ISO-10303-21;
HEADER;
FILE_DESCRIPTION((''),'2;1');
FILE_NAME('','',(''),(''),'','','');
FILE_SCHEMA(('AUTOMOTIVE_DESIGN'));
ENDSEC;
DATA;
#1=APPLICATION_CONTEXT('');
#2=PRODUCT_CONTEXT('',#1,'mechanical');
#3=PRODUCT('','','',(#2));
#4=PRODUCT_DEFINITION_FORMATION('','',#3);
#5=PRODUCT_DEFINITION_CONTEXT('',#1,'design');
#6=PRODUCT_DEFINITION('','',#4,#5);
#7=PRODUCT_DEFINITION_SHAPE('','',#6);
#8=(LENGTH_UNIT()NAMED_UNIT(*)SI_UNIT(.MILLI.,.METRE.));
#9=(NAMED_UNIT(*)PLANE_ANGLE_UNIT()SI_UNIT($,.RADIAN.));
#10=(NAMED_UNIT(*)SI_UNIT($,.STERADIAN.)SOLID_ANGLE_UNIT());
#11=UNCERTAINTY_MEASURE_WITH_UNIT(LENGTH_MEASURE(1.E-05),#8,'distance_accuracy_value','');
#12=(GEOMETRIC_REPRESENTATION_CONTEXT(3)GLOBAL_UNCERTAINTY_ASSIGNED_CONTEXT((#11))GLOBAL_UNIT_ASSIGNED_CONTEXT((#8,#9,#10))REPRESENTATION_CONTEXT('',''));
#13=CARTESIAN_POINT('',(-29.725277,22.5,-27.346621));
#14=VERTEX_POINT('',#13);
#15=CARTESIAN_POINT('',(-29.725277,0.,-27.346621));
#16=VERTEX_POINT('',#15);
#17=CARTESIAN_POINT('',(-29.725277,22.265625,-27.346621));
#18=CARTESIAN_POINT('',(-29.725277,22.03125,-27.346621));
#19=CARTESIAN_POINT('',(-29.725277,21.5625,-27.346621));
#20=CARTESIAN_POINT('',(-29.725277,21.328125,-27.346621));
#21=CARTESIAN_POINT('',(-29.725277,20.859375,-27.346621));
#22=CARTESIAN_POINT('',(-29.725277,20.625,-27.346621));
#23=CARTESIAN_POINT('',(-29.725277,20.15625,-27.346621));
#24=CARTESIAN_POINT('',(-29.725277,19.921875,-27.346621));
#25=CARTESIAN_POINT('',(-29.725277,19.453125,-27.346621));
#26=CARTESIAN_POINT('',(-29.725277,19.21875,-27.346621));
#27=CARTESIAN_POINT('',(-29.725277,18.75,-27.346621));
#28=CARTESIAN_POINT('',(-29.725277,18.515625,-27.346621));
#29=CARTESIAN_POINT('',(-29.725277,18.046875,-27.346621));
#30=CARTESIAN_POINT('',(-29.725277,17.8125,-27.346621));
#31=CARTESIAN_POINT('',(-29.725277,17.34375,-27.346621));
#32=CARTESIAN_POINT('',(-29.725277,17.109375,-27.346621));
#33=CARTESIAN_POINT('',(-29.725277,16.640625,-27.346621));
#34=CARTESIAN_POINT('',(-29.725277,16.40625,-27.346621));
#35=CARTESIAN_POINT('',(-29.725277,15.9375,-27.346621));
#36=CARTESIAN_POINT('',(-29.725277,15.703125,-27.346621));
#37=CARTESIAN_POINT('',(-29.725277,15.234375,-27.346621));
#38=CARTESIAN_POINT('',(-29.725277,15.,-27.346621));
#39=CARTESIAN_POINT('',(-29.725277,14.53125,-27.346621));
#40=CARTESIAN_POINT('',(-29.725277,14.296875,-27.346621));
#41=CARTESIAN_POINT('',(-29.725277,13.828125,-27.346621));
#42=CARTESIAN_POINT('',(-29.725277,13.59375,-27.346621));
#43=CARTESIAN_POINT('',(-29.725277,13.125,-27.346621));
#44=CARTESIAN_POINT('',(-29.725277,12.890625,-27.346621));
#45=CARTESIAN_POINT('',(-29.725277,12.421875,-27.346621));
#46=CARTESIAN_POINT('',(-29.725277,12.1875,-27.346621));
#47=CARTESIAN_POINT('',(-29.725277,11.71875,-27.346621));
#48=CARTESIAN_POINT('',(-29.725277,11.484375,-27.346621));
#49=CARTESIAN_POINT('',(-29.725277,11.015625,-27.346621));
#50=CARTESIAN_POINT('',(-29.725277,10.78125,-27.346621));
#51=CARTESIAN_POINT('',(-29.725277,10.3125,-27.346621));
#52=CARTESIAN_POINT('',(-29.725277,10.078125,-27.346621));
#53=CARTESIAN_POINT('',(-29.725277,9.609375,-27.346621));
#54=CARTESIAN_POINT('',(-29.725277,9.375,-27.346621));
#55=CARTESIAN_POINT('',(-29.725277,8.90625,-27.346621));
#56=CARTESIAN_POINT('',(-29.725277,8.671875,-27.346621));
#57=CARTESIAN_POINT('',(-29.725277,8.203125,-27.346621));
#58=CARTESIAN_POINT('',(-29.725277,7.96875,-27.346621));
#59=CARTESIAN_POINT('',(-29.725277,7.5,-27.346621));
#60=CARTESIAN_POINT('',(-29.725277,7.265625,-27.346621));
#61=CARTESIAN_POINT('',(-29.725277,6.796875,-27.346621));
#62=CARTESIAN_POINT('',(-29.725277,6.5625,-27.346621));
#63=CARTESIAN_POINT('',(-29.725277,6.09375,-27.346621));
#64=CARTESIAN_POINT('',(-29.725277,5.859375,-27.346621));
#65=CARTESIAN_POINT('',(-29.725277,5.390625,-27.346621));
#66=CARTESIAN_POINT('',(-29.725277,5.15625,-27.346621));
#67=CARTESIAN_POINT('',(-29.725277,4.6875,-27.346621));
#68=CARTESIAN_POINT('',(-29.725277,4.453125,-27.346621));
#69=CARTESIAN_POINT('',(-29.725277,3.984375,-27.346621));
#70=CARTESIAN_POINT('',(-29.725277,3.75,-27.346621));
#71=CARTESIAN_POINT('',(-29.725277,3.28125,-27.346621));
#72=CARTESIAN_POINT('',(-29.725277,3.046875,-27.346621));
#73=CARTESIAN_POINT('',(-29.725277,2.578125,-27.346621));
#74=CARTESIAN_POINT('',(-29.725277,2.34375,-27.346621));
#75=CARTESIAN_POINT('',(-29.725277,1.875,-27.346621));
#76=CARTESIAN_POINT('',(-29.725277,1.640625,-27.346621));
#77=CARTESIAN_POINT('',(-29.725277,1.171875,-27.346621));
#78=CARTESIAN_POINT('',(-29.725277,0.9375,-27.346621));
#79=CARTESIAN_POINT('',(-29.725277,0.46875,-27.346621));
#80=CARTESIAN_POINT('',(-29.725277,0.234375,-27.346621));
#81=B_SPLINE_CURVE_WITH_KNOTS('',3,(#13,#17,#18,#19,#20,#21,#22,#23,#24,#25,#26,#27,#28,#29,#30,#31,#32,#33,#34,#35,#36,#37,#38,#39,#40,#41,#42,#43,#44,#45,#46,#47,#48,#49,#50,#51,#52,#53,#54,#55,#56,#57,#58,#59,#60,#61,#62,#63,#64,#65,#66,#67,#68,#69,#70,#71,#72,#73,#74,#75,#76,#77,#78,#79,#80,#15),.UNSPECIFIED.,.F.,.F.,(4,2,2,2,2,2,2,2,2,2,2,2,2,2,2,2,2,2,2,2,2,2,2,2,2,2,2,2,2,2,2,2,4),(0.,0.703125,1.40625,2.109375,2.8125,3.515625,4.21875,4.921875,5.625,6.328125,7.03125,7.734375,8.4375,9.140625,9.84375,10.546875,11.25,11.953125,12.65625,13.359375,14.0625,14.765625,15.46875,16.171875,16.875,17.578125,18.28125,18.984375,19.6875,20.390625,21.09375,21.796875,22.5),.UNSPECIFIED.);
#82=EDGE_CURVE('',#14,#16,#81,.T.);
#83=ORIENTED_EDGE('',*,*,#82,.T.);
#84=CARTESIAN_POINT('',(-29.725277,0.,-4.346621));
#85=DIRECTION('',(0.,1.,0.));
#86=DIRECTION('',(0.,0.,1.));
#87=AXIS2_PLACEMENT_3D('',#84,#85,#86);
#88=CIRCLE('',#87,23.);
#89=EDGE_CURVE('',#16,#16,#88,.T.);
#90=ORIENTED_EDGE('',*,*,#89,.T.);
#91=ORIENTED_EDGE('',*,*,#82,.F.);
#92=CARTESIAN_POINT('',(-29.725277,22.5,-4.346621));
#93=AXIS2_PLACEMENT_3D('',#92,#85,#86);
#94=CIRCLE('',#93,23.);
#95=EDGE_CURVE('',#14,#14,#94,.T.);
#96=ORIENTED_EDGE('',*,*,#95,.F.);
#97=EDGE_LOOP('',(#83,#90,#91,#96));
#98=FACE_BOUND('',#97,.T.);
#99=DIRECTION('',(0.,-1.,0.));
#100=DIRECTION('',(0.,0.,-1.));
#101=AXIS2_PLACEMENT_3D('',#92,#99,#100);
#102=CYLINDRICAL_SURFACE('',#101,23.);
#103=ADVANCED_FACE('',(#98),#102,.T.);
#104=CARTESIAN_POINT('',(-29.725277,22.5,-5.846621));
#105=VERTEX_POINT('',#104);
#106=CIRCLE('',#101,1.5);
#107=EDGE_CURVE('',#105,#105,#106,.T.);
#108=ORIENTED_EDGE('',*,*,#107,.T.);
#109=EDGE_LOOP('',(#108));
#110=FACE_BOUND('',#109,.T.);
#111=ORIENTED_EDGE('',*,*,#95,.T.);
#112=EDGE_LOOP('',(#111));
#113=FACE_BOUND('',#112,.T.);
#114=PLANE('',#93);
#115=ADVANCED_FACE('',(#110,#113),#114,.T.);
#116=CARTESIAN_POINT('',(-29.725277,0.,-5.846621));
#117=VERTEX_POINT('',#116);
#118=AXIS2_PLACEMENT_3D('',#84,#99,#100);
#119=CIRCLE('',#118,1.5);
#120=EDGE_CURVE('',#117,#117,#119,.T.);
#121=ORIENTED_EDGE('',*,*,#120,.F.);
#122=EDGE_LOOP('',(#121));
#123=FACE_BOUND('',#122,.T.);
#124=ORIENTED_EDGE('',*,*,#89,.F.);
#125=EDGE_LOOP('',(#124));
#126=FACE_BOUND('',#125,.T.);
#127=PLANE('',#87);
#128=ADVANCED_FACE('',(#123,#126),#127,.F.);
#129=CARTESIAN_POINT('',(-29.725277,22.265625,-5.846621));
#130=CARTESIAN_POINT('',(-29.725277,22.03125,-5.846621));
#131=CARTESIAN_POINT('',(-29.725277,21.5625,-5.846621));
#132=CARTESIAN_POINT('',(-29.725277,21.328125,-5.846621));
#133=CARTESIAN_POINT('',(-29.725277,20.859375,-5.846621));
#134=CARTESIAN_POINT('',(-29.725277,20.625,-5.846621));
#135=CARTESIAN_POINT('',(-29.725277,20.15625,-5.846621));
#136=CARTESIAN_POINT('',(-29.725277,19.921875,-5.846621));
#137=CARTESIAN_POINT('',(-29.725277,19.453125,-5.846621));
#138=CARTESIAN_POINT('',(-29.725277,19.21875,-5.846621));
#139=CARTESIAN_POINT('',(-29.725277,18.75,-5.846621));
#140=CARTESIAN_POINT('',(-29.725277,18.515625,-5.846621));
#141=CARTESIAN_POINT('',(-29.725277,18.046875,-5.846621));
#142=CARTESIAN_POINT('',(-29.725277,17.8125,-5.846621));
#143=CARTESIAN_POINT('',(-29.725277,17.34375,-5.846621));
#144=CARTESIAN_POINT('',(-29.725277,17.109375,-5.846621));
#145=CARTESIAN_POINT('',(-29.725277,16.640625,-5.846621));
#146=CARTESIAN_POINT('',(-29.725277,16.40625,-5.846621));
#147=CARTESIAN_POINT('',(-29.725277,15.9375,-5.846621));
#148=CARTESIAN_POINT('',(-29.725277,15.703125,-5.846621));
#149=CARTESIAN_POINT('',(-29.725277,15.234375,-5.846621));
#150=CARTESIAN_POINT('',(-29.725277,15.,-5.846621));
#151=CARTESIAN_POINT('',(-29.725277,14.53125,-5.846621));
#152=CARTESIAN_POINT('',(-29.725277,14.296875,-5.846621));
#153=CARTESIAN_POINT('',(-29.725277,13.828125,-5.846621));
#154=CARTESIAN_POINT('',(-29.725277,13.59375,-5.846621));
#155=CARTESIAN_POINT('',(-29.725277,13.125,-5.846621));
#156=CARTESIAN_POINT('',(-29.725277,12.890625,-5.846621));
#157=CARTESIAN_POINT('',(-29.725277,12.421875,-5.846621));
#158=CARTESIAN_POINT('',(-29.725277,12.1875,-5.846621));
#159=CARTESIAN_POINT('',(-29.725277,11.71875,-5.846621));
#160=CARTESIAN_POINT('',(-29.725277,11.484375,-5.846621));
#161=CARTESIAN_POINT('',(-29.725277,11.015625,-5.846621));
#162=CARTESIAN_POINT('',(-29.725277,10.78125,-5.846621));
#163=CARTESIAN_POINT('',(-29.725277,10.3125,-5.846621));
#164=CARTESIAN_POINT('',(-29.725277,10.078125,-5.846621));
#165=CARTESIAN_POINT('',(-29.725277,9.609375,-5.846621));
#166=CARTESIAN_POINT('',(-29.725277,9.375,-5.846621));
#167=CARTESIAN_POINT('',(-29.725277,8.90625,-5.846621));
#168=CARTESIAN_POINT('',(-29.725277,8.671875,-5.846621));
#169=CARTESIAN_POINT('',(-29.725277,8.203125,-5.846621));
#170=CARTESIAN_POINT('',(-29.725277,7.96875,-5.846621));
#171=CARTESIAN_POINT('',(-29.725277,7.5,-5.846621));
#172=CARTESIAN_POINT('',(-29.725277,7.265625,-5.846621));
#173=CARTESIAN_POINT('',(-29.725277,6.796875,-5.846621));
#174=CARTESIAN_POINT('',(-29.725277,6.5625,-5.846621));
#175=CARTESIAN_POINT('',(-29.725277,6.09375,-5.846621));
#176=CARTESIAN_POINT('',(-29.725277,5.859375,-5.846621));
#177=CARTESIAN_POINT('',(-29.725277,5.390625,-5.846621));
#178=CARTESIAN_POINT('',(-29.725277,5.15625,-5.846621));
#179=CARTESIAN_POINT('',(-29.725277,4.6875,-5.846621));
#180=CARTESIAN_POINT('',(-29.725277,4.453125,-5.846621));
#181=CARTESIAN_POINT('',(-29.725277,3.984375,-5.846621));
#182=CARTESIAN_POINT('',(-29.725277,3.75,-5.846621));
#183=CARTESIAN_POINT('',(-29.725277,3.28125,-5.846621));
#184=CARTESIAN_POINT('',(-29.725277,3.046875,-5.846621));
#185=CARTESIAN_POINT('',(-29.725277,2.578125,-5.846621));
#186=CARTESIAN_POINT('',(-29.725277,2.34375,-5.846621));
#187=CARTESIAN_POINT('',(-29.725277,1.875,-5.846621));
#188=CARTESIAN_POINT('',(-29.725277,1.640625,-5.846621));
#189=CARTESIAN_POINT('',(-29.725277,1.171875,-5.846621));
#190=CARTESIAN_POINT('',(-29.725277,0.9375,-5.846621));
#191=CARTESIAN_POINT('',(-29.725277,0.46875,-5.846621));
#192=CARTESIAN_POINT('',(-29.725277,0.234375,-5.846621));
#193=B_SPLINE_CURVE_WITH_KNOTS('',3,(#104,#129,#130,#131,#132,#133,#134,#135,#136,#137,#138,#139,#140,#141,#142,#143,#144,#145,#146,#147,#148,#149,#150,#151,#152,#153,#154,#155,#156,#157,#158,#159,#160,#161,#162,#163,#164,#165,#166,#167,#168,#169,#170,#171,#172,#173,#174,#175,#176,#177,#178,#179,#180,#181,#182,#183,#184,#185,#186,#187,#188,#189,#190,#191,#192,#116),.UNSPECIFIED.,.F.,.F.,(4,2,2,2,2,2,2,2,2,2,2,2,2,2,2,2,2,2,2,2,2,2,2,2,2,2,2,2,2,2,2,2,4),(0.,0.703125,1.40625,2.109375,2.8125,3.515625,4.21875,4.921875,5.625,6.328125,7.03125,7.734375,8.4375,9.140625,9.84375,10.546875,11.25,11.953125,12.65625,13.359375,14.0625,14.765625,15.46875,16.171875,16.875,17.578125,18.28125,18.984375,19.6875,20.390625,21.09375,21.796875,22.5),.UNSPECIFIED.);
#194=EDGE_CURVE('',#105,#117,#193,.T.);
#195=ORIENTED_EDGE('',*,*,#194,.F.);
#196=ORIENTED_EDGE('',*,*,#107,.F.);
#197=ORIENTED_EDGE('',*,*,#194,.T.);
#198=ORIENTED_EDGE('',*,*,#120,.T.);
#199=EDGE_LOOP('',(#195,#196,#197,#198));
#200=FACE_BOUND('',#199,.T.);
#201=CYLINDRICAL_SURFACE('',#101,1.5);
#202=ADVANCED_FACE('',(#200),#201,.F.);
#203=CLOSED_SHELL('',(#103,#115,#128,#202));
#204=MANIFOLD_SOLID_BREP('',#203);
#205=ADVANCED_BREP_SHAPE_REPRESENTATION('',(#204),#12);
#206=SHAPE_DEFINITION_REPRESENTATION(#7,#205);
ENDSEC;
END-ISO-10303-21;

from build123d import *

# Parameters (mm, degrees)
SKETCH1_R           = 23
BOSS_EXTRUDE1_DEPTH = 22.5
SKETCH3_R           = 1.5
CUT_EXTRUDE1_DEPTH  = 64.514112944


with BuildPart() as part:
    # Sketch1 → Boss-Extrude1 (new body)
    with BuildSketch(Plane(origin=(0, 0, 0), x_dir=(1, 0, 0), z_dir=(0, 1, 0))):
        with Locations(Location((-29.725277397, 4.346620751, 0), (0, 0, 90))):
            Circle(SKETCH1_R)
    extrude(amount=BOSS_EXTRUDE1_DEPTH)

    # Sketch3 → Cut-Extrude1 (cut, through all)
    with BuildSketch(Plane.XZ):
        with Locations(Location((-29.725277397, -4.346620751, 0), (0, 0, 270))):
            Circle(SKETCH3_R)
    extrude(amount=-CUT_EXTRUDE1_DEPTH, mode=Mode.SUBTRACT)


solid = part.part
